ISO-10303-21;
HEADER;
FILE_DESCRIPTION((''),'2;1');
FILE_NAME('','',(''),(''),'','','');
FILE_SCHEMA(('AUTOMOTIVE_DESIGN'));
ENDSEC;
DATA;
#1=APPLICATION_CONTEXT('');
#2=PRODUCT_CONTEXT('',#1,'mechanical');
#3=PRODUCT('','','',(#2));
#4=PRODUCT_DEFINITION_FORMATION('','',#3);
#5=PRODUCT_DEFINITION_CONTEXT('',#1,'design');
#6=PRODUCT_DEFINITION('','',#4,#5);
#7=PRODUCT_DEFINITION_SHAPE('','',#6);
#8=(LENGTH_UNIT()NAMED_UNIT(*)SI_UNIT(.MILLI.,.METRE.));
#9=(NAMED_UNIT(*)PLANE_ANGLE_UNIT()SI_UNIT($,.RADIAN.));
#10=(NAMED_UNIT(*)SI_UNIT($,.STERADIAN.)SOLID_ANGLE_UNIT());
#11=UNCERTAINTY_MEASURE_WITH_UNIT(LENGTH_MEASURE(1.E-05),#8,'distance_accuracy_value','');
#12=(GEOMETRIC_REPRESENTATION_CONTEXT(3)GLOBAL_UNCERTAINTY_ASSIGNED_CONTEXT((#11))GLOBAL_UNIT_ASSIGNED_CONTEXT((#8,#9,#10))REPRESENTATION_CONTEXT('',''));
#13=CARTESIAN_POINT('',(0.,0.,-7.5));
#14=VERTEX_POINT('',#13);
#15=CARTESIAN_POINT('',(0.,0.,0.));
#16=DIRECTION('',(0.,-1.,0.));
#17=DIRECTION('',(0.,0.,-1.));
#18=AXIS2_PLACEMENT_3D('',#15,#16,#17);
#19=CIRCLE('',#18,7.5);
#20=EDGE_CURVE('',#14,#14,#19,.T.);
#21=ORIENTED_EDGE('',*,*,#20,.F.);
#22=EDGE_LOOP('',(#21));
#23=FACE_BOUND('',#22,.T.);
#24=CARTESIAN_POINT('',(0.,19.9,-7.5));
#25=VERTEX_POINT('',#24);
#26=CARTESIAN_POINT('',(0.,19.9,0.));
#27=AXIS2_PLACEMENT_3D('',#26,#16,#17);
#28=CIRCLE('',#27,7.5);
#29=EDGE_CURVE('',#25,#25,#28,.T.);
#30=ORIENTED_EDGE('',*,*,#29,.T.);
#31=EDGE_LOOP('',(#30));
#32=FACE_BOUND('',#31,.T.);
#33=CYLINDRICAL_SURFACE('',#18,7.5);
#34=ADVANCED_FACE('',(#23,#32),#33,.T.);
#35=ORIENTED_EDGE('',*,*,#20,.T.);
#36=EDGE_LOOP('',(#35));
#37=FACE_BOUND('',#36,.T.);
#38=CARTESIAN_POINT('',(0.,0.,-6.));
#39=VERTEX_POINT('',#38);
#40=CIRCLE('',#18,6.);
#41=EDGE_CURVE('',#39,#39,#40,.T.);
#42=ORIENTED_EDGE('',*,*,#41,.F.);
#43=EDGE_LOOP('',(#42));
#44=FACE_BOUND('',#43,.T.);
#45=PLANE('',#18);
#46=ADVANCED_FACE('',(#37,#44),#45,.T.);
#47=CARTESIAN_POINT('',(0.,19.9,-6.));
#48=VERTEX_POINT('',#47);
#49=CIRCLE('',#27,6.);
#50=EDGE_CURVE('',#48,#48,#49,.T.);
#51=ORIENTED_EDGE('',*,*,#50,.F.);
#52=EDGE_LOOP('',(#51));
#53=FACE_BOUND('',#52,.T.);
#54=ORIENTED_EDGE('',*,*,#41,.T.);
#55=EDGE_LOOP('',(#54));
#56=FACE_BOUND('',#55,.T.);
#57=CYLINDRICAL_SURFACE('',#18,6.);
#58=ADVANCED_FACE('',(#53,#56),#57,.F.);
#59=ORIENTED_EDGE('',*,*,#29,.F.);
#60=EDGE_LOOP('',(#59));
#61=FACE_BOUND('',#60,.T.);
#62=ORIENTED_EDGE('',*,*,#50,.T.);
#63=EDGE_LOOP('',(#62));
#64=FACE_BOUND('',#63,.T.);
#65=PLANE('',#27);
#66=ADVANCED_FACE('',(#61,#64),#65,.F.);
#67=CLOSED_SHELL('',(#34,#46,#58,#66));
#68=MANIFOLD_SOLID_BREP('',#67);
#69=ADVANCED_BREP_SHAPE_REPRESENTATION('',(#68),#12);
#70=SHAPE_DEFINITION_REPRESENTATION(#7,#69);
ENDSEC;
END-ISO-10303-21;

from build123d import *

# Parameters (mm, degrees)
SKETCH1_W = 1.5
SKETCH1_H = 19.9


with BuildPart() as part:
    # Sketch1 → Revolve1 (revolve)
    with BuildSketch(Plane.XY, mode=Mode.PRIVATE) as revolve1_sk:
        with Locations((6.75, 9.95)):
            Rectangle(SKETCH1_W, SKETCH1_H)
    revolve(revolve1_sk.sketch.rotate(Axis((0, 0, 0), (0, 1, 0)), 90), axis=Axis((0, 0, 0), (0, 1, 0)))


solid = part.part
